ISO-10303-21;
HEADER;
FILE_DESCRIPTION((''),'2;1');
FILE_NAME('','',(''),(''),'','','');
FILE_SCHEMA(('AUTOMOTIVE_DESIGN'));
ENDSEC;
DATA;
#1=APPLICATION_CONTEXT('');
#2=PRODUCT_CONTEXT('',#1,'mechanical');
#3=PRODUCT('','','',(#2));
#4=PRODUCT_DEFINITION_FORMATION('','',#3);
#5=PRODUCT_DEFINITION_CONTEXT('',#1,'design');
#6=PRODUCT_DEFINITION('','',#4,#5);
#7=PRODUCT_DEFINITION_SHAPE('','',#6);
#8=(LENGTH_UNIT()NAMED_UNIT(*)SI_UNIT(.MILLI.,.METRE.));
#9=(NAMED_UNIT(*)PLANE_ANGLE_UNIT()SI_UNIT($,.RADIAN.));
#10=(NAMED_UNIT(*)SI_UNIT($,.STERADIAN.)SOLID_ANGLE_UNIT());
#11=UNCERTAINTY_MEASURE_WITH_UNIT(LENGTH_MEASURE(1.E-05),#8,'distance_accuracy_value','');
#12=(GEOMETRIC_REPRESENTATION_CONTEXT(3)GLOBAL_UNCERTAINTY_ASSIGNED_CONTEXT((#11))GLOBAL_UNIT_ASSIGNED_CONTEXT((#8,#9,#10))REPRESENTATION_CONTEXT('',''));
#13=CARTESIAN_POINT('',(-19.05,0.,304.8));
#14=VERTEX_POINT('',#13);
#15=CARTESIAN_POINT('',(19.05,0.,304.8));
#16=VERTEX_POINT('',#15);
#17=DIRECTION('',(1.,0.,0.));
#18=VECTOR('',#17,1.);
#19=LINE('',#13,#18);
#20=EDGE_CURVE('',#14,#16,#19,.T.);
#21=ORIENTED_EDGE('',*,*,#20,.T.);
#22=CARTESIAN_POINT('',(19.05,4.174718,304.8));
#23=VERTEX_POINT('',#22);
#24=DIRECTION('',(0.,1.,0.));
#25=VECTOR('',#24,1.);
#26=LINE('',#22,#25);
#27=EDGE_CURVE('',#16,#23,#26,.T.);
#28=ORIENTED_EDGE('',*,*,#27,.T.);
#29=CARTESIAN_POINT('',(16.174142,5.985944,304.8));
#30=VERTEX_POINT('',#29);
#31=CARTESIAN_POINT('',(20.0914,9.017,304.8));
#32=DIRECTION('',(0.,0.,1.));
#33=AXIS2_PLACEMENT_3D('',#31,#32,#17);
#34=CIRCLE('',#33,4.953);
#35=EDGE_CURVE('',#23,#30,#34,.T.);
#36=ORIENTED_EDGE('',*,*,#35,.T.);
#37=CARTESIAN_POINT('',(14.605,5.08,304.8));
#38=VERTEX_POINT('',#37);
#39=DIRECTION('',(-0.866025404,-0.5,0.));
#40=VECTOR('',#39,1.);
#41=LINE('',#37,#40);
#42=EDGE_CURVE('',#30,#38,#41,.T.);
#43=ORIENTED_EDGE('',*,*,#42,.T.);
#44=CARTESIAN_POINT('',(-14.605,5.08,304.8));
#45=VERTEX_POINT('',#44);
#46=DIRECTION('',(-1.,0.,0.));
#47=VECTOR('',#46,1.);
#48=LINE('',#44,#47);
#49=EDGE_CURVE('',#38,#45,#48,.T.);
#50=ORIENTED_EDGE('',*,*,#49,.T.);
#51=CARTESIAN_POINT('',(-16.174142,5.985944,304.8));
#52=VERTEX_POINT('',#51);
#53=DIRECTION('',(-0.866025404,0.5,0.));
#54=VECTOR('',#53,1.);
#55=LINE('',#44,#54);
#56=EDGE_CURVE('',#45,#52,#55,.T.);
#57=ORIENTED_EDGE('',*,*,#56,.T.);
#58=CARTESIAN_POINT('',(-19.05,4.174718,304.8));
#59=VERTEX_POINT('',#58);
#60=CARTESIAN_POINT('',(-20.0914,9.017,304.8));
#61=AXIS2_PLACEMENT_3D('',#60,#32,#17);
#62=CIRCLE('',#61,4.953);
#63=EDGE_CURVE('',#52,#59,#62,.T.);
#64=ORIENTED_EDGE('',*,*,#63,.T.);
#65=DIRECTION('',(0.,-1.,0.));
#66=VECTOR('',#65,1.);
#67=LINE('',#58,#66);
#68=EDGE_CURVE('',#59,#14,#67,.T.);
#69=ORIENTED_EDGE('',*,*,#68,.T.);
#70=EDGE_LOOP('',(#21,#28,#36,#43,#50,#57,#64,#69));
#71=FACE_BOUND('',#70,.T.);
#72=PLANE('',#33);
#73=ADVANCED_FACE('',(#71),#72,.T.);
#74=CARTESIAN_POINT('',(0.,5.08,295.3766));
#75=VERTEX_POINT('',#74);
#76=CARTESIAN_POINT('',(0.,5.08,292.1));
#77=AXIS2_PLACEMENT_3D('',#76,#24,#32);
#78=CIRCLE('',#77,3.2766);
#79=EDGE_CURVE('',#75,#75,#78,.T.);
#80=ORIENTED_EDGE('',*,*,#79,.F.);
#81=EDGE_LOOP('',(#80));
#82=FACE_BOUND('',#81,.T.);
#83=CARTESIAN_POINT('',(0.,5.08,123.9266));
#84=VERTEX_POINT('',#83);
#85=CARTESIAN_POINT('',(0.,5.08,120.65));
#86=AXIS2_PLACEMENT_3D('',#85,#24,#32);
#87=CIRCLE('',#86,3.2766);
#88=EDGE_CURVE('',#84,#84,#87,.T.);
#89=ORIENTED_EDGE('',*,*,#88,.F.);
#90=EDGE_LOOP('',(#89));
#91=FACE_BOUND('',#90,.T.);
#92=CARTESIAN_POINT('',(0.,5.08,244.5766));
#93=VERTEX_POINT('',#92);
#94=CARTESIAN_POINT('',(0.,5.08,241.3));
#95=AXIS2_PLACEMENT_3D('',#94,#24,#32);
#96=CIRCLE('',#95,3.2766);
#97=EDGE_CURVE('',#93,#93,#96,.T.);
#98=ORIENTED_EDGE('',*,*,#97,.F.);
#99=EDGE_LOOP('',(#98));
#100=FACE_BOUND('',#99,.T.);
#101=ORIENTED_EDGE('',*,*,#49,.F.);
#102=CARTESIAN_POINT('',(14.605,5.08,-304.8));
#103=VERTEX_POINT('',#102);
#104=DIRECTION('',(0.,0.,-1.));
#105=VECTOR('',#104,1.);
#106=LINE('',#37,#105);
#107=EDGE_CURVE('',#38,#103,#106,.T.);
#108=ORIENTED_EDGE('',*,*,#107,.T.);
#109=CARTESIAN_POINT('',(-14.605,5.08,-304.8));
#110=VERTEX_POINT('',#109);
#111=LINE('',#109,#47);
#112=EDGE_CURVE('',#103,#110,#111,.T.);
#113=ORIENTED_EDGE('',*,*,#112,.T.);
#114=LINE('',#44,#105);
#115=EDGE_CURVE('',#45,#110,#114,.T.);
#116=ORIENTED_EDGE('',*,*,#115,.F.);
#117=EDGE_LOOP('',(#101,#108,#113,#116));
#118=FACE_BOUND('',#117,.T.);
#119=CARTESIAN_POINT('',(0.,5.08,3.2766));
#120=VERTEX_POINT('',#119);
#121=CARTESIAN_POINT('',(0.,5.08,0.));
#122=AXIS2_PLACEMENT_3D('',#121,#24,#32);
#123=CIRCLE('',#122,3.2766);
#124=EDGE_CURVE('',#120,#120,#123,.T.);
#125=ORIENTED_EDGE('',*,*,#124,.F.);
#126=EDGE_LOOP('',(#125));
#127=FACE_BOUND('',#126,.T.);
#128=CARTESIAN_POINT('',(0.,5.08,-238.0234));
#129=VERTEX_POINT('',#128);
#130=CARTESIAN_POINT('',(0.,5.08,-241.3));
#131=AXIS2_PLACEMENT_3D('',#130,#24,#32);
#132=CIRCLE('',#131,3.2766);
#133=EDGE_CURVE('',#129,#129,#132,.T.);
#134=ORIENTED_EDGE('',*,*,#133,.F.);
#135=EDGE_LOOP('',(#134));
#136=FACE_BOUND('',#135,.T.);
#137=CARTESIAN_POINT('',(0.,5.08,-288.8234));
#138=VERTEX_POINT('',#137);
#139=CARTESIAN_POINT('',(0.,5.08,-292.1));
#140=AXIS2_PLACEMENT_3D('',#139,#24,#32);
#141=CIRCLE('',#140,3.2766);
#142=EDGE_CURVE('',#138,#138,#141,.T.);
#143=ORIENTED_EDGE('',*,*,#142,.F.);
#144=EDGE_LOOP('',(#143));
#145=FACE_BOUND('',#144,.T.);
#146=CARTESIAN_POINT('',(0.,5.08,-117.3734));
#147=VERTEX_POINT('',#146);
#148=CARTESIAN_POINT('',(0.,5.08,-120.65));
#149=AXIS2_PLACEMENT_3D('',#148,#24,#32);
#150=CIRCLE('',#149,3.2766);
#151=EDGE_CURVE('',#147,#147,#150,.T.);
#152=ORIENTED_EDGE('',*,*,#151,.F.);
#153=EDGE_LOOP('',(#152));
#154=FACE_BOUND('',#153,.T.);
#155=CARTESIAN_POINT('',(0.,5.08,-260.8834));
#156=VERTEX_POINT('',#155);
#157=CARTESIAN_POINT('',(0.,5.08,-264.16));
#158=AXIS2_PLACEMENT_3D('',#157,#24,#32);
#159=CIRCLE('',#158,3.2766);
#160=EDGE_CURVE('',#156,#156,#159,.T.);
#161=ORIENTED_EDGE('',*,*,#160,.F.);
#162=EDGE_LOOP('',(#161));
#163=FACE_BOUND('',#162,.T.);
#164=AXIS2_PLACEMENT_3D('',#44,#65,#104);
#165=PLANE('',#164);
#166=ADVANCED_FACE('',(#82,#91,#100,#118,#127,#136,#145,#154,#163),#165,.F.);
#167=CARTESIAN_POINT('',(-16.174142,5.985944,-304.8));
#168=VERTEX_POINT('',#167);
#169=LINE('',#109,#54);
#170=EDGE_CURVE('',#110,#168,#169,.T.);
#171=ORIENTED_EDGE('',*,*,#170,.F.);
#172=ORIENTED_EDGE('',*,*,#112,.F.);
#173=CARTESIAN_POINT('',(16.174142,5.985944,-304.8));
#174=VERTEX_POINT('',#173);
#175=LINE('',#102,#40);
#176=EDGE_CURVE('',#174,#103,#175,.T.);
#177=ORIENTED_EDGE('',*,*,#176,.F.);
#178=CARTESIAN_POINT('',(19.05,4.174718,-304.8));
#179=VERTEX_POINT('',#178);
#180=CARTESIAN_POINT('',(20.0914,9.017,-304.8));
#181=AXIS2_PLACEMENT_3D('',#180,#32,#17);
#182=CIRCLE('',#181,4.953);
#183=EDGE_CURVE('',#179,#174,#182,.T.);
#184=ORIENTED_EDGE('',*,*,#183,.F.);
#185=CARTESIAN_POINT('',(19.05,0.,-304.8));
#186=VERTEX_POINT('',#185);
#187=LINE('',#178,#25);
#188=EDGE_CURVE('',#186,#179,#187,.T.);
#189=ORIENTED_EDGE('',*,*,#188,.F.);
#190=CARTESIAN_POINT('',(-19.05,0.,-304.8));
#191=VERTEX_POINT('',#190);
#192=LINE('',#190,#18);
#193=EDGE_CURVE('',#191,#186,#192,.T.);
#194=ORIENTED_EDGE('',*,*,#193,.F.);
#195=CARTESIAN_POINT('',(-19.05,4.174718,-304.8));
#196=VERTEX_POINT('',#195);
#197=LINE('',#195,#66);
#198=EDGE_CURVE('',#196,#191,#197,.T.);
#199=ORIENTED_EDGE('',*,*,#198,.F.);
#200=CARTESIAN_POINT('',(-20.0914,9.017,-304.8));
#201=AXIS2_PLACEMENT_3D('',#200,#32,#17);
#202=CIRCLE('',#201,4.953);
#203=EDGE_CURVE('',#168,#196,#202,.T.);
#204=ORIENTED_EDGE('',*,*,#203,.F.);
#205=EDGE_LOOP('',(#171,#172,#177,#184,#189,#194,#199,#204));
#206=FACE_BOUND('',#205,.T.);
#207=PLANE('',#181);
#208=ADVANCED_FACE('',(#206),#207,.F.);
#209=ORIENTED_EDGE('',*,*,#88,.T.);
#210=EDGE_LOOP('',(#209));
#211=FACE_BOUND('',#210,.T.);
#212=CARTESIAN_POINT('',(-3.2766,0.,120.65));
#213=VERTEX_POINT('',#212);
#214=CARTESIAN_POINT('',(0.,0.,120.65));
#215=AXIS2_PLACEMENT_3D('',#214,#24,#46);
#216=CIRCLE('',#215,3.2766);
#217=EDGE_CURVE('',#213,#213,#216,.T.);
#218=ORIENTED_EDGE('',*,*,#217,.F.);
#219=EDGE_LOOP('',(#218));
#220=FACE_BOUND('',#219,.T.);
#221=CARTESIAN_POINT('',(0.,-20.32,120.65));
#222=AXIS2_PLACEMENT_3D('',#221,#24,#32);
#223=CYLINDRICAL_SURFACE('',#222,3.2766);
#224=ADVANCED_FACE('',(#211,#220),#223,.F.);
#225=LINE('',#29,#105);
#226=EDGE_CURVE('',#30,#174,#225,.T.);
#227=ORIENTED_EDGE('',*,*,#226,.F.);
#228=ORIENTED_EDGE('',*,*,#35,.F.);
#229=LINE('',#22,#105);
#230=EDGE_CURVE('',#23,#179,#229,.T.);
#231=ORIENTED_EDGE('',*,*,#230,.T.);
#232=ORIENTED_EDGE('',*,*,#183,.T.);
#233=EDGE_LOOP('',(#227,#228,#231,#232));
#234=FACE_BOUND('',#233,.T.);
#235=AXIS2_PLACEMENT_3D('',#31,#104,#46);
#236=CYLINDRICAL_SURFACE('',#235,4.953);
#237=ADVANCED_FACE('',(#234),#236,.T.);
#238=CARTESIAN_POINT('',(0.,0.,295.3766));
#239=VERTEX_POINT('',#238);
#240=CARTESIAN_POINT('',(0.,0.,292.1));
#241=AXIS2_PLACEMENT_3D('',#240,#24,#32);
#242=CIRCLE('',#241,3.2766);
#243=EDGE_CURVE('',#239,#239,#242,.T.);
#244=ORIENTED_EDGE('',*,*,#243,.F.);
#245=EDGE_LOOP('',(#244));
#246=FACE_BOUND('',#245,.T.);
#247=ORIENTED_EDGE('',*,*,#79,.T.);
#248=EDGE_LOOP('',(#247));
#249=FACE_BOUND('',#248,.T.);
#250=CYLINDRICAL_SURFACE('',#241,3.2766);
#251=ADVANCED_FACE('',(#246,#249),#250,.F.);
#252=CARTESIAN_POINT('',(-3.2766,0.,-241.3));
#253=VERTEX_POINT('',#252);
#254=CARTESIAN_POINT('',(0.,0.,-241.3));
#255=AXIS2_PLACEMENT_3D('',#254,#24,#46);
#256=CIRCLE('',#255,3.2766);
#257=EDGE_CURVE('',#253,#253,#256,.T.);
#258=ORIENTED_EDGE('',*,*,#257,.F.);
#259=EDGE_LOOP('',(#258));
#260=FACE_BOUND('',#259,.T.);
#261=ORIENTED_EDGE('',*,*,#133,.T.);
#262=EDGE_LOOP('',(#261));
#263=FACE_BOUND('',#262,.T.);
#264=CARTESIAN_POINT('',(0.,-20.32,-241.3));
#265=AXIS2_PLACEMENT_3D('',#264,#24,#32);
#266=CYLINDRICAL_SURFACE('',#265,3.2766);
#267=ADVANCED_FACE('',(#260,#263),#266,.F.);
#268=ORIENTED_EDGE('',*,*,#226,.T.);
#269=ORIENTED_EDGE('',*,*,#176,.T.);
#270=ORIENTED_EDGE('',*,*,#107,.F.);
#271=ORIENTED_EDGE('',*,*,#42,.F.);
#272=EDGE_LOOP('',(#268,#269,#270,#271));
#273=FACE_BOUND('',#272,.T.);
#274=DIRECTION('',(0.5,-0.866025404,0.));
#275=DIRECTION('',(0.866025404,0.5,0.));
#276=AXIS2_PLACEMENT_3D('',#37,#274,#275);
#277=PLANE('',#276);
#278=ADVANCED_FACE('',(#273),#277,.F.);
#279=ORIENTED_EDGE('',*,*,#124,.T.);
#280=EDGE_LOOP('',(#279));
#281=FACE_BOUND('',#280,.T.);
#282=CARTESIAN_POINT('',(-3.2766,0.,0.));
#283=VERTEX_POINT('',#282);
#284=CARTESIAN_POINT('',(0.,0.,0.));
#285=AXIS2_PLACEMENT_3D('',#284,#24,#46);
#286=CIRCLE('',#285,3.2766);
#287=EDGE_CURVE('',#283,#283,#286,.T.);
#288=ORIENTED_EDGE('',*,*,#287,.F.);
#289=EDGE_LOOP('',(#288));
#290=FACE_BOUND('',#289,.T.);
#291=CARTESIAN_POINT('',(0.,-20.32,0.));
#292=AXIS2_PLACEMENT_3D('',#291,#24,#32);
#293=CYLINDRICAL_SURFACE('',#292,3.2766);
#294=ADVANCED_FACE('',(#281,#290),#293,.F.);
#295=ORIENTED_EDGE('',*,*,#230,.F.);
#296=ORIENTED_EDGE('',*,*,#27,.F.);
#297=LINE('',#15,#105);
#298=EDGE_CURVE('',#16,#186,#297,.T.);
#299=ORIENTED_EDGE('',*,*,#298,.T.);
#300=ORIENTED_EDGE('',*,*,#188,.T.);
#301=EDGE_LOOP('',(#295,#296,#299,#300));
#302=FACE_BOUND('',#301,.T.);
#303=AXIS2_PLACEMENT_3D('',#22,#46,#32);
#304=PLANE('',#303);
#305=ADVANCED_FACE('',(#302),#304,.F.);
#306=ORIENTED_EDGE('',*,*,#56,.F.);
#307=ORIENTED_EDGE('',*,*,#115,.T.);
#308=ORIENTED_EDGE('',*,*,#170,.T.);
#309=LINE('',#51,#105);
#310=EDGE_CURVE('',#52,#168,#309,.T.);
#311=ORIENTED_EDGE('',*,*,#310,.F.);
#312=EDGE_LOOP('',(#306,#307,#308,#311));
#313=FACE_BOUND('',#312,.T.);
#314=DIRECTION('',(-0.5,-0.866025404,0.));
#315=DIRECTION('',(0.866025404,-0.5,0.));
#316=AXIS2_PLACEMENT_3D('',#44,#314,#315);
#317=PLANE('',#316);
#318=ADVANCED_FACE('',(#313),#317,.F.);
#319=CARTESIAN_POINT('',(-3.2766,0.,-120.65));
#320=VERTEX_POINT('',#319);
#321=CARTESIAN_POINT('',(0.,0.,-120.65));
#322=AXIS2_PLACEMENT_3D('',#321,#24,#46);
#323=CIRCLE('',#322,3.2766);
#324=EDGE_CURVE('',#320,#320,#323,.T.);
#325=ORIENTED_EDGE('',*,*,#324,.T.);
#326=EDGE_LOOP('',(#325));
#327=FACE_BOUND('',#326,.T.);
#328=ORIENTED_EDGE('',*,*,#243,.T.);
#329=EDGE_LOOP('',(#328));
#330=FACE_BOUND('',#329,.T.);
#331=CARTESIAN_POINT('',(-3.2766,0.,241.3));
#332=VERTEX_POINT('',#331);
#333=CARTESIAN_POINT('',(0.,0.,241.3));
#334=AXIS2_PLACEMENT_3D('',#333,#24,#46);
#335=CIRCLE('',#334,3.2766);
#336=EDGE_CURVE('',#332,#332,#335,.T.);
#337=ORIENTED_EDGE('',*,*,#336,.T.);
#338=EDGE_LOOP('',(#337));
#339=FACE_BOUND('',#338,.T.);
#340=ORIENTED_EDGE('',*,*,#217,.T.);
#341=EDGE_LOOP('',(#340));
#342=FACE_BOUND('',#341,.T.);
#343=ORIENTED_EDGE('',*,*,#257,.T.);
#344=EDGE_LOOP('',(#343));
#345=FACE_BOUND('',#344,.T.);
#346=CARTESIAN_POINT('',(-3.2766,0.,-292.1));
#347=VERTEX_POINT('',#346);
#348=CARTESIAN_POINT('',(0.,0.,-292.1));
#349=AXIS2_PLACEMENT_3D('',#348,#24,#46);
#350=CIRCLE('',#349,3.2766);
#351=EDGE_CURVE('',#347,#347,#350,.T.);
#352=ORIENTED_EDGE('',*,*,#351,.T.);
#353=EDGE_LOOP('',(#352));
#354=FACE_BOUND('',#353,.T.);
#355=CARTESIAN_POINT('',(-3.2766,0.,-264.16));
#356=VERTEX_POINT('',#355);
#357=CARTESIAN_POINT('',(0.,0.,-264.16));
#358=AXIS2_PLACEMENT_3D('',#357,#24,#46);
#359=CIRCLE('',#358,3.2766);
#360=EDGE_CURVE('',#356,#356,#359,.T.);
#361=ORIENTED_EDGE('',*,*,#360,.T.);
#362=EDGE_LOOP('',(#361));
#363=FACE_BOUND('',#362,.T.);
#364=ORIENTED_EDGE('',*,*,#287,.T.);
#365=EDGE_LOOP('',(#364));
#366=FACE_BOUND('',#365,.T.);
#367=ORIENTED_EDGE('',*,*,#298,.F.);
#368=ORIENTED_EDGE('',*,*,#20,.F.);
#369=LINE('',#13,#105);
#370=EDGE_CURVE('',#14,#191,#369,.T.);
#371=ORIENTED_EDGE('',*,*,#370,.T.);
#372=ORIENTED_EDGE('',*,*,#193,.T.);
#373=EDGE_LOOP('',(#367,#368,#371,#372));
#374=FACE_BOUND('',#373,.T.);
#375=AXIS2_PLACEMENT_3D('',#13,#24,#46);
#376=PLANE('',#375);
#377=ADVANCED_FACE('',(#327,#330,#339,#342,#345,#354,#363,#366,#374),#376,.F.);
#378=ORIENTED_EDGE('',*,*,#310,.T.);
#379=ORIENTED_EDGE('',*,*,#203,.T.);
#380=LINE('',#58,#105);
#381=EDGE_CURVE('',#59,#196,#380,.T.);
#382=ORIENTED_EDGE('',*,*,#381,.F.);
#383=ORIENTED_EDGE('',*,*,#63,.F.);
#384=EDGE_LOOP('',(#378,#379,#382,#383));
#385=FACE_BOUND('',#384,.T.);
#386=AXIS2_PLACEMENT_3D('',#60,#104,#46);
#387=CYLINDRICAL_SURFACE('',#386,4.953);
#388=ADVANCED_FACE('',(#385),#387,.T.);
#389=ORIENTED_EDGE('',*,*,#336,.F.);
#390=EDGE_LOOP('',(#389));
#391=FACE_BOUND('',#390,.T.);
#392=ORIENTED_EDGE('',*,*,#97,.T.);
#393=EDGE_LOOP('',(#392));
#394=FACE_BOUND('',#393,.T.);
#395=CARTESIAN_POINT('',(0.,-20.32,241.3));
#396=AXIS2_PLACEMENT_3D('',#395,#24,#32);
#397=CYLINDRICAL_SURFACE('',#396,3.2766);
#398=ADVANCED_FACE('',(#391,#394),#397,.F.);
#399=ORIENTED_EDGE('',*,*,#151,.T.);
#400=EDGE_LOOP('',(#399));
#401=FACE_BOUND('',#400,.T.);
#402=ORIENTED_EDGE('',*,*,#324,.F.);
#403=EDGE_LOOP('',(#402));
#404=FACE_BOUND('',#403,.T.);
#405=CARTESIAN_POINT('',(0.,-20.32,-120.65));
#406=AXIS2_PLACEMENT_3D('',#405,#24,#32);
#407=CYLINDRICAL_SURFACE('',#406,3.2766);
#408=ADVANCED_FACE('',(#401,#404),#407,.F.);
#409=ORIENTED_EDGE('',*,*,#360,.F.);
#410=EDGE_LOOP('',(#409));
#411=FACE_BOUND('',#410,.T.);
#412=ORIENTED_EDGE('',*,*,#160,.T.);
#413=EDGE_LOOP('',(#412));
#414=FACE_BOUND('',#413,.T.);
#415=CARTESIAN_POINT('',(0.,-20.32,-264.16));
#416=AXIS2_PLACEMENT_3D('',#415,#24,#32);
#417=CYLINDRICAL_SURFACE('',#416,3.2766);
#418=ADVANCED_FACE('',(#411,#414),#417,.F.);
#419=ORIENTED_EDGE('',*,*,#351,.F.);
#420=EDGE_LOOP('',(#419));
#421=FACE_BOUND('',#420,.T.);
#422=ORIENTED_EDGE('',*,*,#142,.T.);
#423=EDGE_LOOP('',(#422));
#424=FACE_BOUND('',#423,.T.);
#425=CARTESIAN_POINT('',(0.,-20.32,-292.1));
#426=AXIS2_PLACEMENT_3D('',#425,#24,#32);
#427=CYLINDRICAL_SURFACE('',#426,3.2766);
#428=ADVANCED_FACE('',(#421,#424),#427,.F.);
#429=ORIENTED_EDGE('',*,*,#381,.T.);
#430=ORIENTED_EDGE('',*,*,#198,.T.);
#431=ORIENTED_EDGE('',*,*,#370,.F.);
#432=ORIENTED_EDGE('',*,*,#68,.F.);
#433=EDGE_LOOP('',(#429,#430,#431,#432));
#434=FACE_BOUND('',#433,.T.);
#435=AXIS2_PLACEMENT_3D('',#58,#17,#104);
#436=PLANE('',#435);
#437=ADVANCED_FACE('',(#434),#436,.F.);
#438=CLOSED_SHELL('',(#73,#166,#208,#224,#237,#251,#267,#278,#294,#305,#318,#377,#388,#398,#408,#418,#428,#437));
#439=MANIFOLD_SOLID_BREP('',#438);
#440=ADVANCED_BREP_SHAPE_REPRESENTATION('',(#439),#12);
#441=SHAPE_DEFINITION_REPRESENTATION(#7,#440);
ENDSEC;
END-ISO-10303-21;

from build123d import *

# Parameters (mm, degrees)
BOSS_EXTRUDE1_DEPTH = 304.8
SKETCH2_R           = 3.2766
CUT_EXTRUDE2_DEPTH  = 306.95635975
SKETCH4_R           = 3.2766
CUT_EXTRUDE4_DEPTH  = 25.4
SKETCH5_R           = 3.2766
CUT_EXTRUDE5_DEPTH  = 25.4
SKETCH6_R           = 3.2766
CUT_EXTRUDE8_DEPTH  = 25.4


with BuildPart() as part:
    # Sketch1 → Boss-Extrude1 (new, symmetric)
    with BuildSketch(Plane.XY):
        with BuildLine():
            Line((-14.605, 5.08), (14.605, 5.08))
            Line((14.605, 5.08), (16.174141854, 5.985944472))
            ThreePointArc((16.174141854, 5.985944472), (22.730946929, 13.208062038), (19.05, 4.174717993))
            Line((19.05, 4.174717993), (19.05, 0))
            Line((19.05, 0), (-19.05, 0))
            Line((-19.05, 0), (-19.05, 4.174717993))
            ThreePointArc((-19.05, 4.174717993), (-22.730946929, 13.208062038), (-16.174141854, 5.985944472))
            Line((-16.174141854, 5.985944472), (-14.605, 5.08))
        make_face()
    extrude(amount=BOSS_EXTRUDE1_DEPTH, both=True)

    # Sketch2 → Cut-Extrude2 (cut, through all)
    with BuildSketch(Plane(origin=(0, 5.08, 0), x_dir=(1, 0, 0), z_dir=(0, 1, 0))):
        with Locations(Location((0, -292.1, 0), (0, 0, 270))):
            Circle(SKETCH2_R)
    extrude(amount=-CUT_EXTRUDE2_DEPTH, mode=Mode.SUBTRACT)

    # Sketch4 → Cut-Extrude4 (cut)
    with BuildSketch(Plane(origin=(0, 5.08, 0), x_dir=(1, 0, 0), z_dir=(0, 1, 0))):
        with Locations(Location((0, -241.3, 0), (0, 0, 270))):
            Circle(SKETCH4_R)
        with Locations(Location((0, -120.65, 0), (0, 0, 270))):
            Circle(SKETCH4_R)
        with Locations(Location((0, 0, 0), (0, 0, 270))):
            Circle(SKETCH4_R)
        with Locations(Location((0, 120.65, 0), (0, 0, 270))):
            Circle(SKETCH4_R)
        with Locations(Location((0, 241.3, 0), (0, 0, 270))):
            Circle(SKETCH4_R)
    extrude(amount=-CUT_EXTRUDE4_DEPTH, mode=Mode.SUBTRACT)

    # Sketch5 → Cut-Extrude5 (cut)
    with BuildSketch(Plane(origin=(0, 5.08, 0), x_dir=(1, 0, 0), z_dir=(0, 1, 0))):
        with Locations(Location((0, 292.1, 0), (0, 0, 270))):
            Circle(SKETCH5_R)
    extrude(amount=-CUT_EXTRUDE5_DEPTH, mode=Mode.SUBTRACT)

    # Sketch6 → Cut-Extrude8 (cut)
    with BuildSketch(Plane(origin=(0, 5.08, 0), x_dir=(1, 0, 0), z_dir=(0, 1, 0))):
        with Locations(Location((0, 264.16, 0), (0, 0, 270))):
            Circle(SKETCH6_R)
    extrude(amount=-CUT_EXTRUDE8_DEPTH, mode=Mode.SUBTRACT)


solid = part.part
